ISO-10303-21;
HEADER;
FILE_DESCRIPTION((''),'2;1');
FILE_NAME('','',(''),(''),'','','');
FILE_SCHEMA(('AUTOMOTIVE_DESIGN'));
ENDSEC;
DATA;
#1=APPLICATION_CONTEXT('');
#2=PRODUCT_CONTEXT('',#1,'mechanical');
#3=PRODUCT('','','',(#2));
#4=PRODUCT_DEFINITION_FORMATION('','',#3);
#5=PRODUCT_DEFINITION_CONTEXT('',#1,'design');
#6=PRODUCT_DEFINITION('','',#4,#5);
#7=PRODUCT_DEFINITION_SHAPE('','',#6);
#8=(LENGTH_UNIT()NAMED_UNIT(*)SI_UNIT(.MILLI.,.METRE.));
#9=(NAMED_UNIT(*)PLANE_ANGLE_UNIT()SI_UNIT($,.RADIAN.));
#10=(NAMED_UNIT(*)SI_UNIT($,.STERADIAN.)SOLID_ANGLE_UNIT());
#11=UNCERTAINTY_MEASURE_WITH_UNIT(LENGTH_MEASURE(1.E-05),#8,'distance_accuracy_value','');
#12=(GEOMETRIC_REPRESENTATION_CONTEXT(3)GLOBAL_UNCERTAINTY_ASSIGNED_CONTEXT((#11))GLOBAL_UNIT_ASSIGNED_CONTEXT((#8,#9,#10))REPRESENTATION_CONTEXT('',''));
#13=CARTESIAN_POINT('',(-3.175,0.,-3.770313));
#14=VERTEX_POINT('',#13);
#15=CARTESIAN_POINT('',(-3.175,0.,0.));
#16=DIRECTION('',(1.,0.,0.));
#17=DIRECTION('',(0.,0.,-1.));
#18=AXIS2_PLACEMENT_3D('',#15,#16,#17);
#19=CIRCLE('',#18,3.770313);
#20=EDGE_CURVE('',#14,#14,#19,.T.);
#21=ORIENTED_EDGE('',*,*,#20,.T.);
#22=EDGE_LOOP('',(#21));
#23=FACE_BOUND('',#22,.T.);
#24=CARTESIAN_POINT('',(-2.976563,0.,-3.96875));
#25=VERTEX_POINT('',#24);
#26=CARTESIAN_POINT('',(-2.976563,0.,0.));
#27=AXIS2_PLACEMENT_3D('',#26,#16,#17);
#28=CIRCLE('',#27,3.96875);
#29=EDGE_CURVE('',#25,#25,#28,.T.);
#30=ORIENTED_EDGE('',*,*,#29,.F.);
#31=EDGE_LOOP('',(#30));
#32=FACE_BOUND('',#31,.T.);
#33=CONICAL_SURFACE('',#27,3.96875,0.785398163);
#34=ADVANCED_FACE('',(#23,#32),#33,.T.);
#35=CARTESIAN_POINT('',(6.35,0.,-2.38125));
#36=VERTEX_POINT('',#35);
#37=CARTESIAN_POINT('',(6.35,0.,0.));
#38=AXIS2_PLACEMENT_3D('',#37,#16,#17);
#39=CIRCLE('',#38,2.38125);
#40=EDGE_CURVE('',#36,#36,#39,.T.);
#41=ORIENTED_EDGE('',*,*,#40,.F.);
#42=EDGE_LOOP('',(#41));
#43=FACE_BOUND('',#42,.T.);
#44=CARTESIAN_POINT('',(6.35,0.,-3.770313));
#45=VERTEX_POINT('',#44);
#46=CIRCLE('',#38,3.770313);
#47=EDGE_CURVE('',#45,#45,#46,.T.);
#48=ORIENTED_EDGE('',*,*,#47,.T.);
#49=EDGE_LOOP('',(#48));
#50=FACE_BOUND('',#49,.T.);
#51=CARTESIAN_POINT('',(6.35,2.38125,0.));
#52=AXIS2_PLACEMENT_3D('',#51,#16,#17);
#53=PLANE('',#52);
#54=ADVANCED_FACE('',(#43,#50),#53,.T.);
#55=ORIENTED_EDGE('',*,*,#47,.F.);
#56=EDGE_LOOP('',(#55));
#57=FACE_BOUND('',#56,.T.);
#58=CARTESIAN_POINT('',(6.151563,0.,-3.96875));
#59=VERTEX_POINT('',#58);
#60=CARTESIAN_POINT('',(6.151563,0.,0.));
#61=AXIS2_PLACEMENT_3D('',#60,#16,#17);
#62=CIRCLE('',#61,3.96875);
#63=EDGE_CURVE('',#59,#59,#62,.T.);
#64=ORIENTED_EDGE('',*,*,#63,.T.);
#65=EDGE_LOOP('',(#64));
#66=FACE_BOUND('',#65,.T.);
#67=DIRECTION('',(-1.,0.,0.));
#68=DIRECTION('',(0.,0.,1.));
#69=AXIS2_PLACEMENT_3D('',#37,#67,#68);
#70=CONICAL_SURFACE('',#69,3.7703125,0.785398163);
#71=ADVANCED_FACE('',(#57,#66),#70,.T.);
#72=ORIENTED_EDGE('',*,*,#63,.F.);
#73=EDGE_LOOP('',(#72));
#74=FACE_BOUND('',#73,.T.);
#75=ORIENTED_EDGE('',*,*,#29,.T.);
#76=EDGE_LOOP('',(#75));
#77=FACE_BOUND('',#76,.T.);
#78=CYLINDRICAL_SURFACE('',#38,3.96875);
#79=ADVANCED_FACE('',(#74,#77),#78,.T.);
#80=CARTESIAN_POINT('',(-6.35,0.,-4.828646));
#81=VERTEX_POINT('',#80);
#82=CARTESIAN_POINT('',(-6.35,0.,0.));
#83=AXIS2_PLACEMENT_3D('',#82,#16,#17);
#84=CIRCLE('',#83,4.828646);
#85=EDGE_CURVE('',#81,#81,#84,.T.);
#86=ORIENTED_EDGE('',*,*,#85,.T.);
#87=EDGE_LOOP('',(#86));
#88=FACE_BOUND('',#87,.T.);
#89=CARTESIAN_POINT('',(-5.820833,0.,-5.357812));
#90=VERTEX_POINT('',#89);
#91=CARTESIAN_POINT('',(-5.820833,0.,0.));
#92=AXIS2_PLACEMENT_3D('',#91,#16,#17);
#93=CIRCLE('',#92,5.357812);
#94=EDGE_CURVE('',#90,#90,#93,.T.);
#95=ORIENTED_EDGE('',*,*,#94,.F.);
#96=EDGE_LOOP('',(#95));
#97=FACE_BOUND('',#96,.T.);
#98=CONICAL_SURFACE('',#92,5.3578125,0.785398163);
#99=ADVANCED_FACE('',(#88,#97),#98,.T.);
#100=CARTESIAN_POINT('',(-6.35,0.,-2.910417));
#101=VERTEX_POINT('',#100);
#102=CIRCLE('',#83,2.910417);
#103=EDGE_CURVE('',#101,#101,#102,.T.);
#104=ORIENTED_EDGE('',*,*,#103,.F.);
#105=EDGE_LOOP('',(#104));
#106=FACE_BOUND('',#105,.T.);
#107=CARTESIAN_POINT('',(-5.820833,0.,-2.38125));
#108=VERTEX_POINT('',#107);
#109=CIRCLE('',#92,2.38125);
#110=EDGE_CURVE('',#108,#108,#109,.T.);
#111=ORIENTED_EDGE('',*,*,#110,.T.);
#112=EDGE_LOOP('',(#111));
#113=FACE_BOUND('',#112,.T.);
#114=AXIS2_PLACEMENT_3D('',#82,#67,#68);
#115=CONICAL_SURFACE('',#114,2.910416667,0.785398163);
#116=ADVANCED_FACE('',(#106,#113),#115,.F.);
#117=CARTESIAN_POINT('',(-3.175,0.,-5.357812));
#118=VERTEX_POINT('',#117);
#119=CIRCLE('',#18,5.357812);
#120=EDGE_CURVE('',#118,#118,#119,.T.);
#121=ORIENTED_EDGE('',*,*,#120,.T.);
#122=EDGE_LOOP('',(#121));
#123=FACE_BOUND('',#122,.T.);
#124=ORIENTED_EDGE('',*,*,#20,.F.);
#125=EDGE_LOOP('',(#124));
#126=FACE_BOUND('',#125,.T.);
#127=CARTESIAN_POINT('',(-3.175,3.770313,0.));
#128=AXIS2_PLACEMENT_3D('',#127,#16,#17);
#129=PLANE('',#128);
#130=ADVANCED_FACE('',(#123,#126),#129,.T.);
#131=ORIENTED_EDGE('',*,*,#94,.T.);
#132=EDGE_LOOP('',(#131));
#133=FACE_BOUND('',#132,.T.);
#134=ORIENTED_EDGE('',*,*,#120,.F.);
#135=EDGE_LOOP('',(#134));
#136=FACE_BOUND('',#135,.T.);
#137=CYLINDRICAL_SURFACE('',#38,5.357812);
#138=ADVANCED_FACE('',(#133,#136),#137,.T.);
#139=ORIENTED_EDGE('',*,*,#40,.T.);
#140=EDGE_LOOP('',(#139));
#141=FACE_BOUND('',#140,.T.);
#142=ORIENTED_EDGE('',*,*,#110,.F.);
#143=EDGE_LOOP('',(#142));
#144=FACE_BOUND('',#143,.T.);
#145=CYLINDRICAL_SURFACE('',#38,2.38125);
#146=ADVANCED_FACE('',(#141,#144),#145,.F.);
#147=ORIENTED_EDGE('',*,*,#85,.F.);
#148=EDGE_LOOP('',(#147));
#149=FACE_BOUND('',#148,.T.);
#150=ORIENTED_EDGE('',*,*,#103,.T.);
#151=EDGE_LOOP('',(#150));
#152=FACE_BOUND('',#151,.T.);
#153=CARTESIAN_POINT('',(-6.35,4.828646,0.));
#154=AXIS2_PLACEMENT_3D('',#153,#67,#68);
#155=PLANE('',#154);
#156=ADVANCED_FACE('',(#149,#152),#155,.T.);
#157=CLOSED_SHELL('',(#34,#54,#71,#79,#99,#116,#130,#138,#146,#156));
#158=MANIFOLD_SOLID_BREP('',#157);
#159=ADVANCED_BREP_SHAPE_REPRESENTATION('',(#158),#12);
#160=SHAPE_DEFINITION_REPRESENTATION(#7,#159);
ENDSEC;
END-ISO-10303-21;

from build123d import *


with BuildPart() as part:
    # Sketch3 → Revolve1 (revolve)
    with BuildSketch(Plane.XY, mode=Mode.PRIVATE) as revolve1_sk:
        Polygon((6.35, 2.38125), (6.35, 3.7703125), (6.1515625, 3.96875), (-2.9765625, 3.96875), (-3.175, 3.7703125), (-3.175, 5.3578125), (-5.820833333, 5.3578125), (-6.35, 4.828645833), (-6.35, 2.910416667), (-5.820833333, 2.38125), align=None)
    revolve(revolve1_sk.sketch.rotate(Axis((6.35, 0, 0), (-1, 0, 0)), 90), axis=Axis((6.35, 0, 0), (-1, 0, 0)))


solid = part.part
